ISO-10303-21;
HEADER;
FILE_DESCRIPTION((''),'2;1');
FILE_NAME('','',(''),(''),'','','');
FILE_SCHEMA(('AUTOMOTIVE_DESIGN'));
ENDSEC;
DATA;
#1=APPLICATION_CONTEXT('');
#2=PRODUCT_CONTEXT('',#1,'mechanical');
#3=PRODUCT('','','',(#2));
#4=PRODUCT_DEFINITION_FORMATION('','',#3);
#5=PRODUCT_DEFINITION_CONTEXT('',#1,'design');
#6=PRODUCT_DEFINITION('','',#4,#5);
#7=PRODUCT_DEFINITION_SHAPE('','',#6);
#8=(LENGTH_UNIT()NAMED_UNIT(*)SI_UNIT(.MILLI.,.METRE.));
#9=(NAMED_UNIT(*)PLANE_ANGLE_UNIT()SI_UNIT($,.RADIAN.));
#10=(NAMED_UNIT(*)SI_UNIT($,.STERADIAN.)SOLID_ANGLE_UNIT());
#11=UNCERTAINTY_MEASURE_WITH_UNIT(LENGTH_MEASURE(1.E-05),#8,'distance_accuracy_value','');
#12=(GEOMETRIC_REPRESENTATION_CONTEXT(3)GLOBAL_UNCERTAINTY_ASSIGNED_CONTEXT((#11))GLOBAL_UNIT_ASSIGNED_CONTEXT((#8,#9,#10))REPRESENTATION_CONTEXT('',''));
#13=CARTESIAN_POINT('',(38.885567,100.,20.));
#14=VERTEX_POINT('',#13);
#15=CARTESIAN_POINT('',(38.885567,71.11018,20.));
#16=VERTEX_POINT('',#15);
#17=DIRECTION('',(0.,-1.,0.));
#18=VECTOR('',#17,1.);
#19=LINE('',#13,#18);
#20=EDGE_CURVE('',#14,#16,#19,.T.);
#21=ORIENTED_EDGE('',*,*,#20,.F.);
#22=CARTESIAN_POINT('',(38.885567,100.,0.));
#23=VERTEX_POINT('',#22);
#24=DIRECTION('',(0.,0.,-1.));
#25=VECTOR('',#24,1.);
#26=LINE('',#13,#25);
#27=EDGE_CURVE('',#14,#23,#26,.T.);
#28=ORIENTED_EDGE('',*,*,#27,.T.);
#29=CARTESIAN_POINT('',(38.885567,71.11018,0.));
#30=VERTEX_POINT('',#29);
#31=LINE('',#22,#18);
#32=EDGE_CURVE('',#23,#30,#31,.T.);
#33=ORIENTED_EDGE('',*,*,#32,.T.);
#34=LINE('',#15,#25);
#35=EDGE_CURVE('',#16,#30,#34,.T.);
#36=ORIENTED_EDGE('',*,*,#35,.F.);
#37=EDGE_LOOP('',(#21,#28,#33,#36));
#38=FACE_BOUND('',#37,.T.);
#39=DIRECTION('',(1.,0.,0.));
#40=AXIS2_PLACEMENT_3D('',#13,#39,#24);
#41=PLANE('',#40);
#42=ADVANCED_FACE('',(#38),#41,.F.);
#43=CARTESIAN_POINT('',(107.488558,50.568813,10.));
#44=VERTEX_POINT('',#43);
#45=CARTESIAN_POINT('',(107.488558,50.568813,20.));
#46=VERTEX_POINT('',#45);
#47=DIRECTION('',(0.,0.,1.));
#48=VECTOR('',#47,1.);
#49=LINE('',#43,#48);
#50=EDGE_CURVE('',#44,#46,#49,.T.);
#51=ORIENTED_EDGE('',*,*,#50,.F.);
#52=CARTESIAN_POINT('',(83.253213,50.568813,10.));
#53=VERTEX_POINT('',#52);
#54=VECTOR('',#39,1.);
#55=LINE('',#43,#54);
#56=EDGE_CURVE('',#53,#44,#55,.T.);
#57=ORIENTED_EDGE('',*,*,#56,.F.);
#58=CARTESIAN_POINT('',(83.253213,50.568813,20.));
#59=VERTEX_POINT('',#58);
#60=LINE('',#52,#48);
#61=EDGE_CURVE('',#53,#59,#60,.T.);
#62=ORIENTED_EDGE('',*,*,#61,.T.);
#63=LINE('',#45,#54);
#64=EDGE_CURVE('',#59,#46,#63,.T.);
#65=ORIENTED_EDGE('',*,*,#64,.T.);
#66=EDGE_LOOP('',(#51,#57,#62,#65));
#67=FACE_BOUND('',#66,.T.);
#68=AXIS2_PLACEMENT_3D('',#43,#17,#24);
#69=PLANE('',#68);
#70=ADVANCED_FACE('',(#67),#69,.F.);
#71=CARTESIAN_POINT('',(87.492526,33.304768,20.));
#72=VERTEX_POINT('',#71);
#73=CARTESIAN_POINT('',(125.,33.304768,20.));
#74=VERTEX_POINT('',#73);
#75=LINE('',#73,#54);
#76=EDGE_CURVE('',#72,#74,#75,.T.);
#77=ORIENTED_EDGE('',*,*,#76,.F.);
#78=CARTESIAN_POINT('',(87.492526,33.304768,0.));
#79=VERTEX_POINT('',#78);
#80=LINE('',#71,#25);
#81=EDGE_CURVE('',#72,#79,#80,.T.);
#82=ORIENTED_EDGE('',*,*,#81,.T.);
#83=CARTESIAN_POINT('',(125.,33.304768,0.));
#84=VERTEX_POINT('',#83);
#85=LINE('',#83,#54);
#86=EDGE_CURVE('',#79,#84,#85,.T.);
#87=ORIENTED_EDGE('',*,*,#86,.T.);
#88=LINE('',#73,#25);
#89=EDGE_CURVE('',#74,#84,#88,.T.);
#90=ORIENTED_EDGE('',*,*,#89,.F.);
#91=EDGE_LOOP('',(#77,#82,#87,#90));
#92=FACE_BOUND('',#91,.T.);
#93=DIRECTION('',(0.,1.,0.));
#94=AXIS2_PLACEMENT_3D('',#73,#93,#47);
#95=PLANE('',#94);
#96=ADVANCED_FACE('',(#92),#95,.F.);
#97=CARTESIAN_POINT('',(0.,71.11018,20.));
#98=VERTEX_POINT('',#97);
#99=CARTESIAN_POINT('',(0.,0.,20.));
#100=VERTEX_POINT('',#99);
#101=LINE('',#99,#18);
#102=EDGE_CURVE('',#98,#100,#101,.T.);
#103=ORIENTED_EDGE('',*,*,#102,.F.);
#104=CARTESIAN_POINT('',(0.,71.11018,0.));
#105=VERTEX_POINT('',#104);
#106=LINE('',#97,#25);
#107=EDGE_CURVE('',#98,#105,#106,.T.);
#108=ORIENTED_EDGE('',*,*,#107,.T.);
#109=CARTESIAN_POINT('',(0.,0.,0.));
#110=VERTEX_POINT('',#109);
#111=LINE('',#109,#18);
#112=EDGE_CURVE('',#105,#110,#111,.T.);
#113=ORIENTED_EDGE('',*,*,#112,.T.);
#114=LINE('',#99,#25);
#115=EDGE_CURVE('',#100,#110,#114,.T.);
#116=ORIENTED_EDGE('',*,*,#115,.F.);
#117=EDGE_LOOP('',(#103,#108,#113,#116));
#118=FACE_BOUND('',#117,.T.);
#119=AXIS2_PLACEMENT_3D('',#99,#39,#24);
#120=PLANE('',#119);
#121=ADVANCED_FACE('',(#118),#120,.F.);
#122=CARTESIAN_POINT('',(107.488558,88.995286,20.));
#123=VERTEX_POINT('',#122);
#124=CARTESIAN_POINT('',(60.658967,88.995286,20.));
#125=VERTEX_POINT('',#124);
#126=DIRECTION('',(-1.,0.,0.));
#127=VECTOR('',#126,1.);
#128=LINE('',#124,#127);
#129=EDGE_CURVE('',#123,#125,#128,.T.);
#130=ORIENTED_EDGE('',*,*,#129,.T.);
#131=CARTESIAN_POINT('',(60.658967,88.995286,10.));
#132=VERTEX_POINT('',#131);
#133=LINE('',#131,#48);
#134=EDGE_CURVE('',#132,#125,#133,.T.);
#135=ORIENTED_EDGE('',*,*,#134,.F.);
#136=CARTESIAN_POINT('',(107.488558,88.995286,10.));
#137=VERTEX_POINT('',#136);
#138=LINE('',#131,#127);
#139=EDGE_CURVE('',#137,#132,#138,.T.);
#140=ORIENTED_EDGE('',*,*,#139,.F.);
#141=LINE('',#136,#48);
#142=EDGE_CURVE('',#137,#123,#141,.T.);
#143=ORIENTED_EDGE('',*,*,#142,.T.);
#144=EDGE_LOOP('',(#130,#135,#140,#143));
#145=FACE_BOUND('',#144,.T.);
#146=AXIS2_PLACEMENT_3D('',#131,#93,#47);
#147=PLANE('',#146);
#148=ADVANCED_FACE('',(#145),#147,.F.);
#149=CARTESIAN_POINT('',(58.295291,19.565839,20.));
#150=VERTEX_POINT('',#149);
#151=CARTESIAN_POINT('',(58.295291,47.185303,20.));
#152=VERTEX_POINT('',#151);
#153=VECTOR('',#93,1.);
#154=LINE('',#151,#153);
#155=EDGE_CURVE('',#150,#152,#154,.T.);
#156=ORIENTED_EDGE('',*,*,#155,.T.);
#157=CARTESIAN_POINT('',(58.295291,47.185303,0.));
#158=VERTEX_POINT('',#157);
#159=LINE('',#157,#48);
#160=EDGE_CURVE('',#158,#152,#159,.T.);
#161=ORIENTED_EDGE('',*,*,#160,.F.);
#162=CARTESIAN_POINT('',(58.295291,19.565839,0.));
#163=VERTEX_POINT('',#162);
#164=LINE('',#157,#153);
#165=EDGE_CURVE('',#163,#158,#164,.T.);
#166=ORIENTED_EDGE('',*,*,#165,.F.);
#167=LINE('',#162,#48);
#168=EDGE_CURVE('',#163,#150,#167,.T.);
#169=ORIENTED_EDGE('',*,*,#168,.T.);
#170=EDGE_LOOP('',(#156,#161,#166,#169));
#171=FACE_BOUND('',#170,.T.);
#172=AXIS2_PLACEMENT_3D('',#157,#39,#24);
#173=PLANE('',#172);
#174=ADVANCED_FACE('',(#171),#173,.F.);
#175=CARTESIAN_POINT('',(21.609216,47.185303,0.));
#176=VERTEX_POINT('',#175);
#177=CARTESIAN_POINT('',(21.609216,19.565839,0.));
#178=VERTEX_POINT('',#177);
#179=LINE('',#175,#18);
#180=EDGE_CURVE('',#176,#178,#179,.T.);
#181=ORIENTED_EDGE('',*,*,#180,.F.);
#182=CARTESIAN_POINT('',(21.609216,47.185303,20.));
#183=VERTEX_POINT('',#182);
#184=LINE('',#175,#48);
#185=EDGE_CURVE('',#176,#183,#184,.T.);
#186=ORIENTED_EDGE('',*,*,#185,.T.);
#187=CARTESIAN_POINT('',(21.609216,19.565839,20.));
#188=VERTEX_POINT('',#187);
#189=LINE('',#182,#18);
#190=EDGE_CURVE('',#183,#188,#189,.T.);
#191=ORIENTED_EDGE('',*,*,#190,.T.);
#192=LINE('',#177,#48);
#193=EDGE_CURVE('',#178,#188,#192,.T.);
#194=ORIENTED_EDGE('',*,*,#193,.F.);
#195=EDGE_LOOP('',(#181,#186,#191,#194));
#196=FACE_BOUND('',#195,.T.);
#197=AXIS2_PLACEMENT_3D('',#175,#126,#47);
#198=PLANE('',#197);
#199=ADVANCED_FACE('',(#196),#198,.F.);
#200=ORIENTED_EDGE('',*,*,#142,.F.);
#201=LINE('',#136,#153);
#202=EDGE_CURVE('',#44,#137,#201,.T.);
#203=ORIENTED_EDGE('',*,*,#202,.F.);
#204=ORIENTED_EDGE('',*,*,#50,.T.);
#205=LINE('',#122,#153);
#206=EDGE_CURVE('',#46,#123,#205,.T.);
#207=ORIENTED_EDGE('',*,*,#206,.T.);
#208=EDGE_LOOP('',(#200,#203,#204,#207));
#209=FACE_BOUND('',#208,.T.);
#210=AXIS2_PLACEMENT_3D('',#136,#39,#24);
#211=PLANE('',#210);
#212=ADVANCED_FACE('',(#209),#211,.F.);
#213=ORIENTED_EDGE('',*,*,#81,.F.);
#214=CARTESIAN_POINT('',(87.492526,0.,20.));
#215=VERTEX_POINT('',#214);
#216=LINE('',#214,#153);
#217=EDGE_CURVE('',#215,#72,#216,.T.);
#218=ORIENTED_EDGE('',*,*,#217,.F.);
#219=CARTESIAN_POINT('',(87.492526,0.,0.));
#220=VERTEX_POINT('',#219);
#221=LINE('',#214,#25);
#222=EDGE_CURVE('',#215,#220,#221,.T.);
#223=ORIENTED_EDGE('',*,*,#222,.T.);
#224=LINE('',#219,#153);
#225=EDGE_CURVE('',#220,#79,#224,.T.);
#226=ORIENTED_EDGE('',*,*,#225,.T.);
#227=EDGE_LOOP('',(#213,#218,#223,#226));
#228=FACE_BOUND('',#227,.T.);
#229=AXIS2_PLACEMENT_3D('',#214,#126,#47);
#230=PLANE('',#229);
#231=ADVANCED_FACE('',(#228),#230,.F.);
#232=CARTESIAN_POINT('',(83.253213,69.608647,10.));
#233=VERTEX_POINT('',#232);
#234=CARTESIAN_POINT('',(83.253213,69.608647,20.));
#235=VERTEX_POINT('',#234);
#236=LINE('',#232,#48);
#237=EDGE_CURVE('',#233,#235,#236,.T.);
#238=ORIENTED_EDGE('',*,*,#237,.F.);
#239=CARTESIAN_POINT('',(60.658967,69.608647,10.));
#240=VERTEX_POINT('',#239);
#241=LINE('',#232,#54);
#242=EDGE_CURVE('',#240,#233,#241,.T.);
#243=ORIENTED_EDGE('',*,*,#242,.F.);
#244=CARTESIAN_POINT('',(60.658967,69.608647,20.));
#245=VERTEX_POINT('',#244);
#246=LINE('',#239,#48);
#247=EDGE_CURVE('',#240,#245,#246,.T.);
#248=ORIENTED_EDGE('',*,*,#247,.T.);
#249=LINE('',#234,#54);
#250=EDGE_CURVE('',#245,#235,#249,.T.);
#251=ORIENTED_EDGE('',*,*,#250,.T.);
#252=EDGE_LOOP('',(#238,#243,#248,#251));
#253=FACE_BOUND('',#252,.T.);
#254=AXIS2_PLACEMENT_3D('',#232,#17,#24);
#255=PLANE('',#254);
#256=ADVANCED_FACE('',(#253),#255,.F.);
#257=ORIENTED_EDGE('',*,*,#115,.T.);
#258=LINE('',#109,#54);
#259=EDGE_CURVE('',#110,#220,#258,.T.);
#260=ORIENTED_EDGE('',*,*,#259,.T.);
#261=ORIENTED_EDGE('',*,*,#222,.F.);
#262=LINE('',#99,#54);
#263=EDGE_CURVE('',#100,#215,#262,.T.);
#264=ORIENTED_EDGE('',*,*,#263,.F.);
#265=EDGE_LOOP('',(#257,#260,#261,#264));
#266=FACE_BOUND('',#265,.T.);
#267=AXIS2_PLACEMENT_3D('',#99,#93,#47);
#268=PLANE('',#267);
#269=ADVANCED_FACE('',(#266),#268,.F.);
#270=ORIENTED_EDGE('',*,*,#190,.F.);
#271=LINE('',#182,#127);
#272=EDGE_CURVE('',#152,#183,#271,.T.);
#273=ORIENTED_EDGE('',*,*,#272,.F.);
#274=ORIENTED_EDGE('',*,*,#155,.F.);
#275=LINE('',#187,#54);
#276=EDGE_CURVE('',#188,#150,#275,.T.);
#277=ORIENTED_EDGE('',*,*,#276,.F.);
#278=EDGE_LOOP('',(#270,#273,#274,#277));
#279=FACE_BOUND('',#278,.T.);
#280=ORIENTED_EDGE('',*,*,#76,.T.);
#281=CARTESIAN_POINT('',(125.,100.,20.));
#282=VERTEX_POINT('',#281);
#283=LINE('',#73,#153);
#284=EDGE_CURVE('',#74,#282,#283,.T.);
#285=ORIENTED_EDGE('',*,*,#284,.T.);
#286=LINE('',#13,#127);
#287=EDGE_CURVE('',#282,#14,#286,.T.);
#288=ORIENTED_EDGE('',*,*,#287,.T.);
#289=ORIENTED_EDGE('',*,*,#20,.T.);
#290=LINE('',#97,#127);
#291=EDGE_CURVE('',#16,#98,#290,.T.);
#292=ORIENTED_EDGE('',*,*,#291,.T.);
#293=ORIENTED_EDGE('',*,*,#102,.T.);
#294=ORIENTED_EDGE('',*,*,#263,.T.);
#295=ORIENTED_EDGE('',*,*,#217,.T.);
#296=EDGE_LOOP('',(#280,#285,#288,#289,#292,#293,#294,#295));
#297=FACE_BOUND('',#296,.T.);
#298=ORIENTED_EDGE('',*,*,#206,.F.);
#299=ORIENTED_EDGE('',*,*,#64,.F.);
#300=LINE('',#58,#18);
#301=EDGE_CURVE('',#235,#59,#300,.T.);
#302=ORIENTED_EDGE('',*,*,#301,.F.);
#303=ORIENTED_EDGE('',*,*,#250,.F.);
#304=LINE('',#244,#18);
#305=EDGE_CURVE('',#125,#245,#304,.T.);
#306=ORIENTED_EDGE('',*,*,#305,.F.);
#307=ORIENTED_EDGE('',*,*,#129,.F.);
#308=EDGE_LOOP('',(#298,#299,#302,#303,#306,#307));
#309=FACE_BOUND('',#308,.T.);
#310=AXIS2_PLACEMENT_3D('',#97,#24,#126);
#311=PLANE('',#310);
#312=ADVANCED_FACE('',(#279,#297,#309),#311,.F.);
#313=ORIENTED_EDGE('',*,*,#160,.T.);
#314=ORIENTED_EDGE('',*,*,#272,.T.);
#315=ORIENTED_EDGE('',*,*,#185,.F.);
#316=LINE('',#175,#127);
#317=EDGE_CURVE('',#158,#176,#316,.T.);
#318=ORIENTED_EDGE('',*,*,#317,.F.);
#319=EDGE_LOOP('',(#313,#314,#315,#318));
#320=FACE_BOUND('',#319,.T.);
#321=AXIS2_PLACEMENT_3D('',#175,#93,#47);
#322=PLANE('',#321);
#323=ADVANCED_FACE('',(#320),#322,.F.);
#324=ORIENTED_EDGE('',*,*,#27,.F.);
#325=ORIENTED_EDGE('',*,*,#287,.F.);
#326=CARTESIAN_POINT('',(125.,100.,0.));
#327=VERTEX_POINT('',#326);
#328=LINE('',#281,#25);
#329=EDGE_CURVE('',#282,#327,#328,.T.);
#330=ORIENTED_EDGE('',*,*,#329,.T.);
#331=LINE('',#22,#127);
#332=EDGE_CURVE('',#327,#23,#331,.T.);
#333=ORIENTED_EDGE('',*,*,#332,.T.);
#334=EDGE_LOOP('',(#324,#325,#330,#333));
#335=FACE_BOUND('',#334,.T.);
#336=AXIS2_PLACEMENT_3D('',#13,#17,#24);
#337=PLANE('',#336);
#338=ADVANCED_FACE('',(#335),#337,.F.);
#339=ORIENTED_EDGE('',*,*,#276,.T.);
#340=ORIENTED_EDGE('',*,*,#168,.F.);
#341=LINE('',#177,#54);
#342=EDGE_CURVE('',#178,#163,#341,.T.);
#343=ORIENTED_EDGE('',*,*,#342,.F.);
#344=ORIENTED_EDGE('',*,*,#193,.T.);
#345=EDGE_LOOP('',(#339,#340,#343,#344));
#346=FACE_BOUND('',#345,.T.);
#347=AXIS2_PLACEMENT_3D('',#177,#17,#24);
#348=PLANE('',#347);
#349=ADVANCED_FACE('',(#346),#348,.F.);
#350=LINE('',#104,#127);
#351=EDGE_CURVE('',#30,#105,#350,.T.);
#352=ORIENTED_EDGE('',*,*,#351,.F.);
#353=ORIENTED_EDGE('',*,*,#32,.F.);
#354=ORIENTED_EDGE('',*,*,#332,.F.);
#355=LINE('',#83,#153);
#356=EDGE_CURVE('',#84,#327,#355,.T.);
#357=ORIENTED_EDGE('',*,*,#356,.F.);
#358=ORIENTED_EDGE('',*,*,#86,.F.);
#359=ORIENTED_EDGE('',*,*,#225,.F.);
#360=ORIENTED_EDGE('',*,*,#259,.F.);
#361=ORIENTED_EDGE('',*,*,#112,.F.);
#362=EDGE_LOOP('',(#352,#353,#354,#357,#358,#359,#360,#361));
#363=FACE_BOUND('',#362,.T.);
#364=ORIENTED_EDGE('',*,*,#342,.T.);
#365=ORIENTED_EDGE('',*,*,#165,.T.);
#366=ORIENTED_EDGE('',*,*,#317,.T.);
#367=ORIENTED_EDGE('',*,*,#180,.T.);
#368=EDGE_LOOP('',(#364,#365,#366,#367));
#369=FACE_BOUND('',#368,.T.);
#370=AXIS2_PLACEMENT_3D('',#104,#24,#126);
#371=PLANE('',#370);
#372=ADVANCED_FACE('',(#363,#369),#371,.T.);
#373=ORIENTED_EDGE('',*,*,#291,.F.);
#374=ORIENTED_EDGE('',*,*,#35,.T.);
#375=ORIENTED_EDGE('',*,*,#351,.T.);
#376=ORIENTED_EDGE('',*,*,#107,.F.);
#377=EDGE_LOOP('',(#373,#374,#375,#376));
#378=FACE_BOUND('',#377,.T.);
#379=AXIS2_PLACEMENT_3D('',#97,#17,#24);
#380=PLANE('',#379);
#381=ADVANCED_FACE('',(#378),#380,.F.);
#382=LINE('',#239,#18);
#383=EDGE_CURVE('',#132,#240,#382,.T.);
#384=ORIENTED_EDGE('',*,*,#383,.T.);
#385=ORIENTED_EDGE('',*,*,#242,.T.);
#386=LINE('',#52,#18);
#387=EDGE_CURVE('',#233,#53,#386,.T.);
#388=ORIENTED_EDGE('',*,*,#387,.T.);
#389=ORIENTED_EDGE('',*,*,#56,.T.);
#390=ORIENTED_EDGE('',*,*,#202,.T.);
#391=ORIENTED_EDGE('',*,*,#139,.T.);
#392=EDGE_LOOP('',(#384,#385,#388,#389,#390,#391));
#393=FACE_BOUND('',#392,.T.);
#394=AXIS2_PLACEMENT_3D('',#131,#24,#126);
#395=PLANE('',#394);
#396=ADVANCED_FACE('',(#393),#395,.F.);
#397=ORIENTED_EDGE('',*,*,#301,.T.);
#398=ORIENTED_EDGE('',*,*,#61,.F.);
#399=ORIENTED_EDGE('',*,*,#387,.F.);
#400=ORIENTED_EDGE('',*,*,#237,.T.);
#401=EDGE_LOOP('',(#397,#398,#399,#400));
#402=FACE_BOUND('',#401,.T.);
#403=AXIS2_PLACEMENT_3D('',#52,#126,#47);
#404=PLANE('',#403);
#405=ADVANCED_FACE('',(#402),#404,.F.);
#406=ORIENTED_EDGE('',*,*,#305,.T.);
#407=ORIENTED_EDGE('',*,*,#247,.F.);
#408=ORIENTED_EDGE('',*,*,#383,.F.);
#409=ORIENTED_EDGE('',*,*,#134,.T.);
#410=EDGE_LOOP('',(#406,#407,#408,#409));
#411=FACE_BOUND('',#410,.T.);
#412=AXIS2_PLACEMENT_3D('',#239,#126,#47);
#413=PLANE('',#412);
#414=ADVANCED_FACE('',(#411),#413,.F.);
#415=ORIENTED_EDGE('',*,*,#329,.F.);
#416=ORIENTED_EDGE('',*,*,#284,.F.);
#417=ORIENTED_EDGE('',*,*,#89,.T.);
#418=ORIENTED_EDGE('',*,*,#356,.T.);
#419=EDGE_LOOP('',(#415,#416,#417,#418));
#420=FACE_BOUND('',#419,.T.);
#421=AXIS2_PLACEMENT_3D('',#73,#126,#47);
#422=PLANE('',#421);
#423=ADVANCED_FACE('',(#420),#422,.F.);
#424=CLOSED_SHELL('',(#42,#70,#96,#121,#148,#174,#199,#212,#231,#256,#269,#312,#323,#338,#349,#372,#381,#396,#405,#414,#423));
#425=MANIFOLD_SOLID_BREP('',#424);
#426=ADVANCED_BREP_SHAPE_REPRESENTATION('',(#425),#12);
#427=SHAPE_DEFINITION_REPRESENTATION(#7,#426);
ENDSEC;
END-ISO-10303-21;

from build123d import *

# Parameters (mm, degrees)
EXTRUDE1_DEPTH     = 20
SKETCH2_W          = 36.686074526
SKETCH2_H          = 27.619463242
CUT_EXTRUDE1_DEPTH = 20
CUT_EXTRUDE2_DEPTH = 10


with BuildPart() as part:
    # Sketch1 → Extrude1 (new body)
    with BuildSketch(Plane.XY):
        Polygon((0, 0), (87.492525773, 0), (87.492525773, 33.304768041), (125, 33.304768041), (125, 100), (38.88556701, 100), (38.88556701, 71.110180412), (0, 71.110180412), align=None)
    extrude(amount=EXTRUDE1_DEPTH)

    # Sketch2 → Cut-Extrude1 (cut)
    with BuildSketch(Plane.XY.offset(20)):
        with Locations((39.952253424, 33.375570886)):
            Rectangle(SKETCH2_W, SKETCH2_H)
    extrude(amount=-CUT_EXTRUDE1_DEPTH, mode=Mode.SUBTRACT)

    # Sketch3 → Cut-Extrude2 (cut)
    with BuildSketch(Plane.XY.offset(20)):
        Polygon((60.658966885, 88.995285907), (107.488557574, 88.995285907), (107.488557574, 50.5688125), (83.253213497, 50.5688125), (83.253213497, 69.608647213), (60.658966885, 69.608647213), align=None)
    extrude(amount=-CUT_EXTRUDE2_DEPTH, mode=Mode.SUBTRACT)


solid = part.part
